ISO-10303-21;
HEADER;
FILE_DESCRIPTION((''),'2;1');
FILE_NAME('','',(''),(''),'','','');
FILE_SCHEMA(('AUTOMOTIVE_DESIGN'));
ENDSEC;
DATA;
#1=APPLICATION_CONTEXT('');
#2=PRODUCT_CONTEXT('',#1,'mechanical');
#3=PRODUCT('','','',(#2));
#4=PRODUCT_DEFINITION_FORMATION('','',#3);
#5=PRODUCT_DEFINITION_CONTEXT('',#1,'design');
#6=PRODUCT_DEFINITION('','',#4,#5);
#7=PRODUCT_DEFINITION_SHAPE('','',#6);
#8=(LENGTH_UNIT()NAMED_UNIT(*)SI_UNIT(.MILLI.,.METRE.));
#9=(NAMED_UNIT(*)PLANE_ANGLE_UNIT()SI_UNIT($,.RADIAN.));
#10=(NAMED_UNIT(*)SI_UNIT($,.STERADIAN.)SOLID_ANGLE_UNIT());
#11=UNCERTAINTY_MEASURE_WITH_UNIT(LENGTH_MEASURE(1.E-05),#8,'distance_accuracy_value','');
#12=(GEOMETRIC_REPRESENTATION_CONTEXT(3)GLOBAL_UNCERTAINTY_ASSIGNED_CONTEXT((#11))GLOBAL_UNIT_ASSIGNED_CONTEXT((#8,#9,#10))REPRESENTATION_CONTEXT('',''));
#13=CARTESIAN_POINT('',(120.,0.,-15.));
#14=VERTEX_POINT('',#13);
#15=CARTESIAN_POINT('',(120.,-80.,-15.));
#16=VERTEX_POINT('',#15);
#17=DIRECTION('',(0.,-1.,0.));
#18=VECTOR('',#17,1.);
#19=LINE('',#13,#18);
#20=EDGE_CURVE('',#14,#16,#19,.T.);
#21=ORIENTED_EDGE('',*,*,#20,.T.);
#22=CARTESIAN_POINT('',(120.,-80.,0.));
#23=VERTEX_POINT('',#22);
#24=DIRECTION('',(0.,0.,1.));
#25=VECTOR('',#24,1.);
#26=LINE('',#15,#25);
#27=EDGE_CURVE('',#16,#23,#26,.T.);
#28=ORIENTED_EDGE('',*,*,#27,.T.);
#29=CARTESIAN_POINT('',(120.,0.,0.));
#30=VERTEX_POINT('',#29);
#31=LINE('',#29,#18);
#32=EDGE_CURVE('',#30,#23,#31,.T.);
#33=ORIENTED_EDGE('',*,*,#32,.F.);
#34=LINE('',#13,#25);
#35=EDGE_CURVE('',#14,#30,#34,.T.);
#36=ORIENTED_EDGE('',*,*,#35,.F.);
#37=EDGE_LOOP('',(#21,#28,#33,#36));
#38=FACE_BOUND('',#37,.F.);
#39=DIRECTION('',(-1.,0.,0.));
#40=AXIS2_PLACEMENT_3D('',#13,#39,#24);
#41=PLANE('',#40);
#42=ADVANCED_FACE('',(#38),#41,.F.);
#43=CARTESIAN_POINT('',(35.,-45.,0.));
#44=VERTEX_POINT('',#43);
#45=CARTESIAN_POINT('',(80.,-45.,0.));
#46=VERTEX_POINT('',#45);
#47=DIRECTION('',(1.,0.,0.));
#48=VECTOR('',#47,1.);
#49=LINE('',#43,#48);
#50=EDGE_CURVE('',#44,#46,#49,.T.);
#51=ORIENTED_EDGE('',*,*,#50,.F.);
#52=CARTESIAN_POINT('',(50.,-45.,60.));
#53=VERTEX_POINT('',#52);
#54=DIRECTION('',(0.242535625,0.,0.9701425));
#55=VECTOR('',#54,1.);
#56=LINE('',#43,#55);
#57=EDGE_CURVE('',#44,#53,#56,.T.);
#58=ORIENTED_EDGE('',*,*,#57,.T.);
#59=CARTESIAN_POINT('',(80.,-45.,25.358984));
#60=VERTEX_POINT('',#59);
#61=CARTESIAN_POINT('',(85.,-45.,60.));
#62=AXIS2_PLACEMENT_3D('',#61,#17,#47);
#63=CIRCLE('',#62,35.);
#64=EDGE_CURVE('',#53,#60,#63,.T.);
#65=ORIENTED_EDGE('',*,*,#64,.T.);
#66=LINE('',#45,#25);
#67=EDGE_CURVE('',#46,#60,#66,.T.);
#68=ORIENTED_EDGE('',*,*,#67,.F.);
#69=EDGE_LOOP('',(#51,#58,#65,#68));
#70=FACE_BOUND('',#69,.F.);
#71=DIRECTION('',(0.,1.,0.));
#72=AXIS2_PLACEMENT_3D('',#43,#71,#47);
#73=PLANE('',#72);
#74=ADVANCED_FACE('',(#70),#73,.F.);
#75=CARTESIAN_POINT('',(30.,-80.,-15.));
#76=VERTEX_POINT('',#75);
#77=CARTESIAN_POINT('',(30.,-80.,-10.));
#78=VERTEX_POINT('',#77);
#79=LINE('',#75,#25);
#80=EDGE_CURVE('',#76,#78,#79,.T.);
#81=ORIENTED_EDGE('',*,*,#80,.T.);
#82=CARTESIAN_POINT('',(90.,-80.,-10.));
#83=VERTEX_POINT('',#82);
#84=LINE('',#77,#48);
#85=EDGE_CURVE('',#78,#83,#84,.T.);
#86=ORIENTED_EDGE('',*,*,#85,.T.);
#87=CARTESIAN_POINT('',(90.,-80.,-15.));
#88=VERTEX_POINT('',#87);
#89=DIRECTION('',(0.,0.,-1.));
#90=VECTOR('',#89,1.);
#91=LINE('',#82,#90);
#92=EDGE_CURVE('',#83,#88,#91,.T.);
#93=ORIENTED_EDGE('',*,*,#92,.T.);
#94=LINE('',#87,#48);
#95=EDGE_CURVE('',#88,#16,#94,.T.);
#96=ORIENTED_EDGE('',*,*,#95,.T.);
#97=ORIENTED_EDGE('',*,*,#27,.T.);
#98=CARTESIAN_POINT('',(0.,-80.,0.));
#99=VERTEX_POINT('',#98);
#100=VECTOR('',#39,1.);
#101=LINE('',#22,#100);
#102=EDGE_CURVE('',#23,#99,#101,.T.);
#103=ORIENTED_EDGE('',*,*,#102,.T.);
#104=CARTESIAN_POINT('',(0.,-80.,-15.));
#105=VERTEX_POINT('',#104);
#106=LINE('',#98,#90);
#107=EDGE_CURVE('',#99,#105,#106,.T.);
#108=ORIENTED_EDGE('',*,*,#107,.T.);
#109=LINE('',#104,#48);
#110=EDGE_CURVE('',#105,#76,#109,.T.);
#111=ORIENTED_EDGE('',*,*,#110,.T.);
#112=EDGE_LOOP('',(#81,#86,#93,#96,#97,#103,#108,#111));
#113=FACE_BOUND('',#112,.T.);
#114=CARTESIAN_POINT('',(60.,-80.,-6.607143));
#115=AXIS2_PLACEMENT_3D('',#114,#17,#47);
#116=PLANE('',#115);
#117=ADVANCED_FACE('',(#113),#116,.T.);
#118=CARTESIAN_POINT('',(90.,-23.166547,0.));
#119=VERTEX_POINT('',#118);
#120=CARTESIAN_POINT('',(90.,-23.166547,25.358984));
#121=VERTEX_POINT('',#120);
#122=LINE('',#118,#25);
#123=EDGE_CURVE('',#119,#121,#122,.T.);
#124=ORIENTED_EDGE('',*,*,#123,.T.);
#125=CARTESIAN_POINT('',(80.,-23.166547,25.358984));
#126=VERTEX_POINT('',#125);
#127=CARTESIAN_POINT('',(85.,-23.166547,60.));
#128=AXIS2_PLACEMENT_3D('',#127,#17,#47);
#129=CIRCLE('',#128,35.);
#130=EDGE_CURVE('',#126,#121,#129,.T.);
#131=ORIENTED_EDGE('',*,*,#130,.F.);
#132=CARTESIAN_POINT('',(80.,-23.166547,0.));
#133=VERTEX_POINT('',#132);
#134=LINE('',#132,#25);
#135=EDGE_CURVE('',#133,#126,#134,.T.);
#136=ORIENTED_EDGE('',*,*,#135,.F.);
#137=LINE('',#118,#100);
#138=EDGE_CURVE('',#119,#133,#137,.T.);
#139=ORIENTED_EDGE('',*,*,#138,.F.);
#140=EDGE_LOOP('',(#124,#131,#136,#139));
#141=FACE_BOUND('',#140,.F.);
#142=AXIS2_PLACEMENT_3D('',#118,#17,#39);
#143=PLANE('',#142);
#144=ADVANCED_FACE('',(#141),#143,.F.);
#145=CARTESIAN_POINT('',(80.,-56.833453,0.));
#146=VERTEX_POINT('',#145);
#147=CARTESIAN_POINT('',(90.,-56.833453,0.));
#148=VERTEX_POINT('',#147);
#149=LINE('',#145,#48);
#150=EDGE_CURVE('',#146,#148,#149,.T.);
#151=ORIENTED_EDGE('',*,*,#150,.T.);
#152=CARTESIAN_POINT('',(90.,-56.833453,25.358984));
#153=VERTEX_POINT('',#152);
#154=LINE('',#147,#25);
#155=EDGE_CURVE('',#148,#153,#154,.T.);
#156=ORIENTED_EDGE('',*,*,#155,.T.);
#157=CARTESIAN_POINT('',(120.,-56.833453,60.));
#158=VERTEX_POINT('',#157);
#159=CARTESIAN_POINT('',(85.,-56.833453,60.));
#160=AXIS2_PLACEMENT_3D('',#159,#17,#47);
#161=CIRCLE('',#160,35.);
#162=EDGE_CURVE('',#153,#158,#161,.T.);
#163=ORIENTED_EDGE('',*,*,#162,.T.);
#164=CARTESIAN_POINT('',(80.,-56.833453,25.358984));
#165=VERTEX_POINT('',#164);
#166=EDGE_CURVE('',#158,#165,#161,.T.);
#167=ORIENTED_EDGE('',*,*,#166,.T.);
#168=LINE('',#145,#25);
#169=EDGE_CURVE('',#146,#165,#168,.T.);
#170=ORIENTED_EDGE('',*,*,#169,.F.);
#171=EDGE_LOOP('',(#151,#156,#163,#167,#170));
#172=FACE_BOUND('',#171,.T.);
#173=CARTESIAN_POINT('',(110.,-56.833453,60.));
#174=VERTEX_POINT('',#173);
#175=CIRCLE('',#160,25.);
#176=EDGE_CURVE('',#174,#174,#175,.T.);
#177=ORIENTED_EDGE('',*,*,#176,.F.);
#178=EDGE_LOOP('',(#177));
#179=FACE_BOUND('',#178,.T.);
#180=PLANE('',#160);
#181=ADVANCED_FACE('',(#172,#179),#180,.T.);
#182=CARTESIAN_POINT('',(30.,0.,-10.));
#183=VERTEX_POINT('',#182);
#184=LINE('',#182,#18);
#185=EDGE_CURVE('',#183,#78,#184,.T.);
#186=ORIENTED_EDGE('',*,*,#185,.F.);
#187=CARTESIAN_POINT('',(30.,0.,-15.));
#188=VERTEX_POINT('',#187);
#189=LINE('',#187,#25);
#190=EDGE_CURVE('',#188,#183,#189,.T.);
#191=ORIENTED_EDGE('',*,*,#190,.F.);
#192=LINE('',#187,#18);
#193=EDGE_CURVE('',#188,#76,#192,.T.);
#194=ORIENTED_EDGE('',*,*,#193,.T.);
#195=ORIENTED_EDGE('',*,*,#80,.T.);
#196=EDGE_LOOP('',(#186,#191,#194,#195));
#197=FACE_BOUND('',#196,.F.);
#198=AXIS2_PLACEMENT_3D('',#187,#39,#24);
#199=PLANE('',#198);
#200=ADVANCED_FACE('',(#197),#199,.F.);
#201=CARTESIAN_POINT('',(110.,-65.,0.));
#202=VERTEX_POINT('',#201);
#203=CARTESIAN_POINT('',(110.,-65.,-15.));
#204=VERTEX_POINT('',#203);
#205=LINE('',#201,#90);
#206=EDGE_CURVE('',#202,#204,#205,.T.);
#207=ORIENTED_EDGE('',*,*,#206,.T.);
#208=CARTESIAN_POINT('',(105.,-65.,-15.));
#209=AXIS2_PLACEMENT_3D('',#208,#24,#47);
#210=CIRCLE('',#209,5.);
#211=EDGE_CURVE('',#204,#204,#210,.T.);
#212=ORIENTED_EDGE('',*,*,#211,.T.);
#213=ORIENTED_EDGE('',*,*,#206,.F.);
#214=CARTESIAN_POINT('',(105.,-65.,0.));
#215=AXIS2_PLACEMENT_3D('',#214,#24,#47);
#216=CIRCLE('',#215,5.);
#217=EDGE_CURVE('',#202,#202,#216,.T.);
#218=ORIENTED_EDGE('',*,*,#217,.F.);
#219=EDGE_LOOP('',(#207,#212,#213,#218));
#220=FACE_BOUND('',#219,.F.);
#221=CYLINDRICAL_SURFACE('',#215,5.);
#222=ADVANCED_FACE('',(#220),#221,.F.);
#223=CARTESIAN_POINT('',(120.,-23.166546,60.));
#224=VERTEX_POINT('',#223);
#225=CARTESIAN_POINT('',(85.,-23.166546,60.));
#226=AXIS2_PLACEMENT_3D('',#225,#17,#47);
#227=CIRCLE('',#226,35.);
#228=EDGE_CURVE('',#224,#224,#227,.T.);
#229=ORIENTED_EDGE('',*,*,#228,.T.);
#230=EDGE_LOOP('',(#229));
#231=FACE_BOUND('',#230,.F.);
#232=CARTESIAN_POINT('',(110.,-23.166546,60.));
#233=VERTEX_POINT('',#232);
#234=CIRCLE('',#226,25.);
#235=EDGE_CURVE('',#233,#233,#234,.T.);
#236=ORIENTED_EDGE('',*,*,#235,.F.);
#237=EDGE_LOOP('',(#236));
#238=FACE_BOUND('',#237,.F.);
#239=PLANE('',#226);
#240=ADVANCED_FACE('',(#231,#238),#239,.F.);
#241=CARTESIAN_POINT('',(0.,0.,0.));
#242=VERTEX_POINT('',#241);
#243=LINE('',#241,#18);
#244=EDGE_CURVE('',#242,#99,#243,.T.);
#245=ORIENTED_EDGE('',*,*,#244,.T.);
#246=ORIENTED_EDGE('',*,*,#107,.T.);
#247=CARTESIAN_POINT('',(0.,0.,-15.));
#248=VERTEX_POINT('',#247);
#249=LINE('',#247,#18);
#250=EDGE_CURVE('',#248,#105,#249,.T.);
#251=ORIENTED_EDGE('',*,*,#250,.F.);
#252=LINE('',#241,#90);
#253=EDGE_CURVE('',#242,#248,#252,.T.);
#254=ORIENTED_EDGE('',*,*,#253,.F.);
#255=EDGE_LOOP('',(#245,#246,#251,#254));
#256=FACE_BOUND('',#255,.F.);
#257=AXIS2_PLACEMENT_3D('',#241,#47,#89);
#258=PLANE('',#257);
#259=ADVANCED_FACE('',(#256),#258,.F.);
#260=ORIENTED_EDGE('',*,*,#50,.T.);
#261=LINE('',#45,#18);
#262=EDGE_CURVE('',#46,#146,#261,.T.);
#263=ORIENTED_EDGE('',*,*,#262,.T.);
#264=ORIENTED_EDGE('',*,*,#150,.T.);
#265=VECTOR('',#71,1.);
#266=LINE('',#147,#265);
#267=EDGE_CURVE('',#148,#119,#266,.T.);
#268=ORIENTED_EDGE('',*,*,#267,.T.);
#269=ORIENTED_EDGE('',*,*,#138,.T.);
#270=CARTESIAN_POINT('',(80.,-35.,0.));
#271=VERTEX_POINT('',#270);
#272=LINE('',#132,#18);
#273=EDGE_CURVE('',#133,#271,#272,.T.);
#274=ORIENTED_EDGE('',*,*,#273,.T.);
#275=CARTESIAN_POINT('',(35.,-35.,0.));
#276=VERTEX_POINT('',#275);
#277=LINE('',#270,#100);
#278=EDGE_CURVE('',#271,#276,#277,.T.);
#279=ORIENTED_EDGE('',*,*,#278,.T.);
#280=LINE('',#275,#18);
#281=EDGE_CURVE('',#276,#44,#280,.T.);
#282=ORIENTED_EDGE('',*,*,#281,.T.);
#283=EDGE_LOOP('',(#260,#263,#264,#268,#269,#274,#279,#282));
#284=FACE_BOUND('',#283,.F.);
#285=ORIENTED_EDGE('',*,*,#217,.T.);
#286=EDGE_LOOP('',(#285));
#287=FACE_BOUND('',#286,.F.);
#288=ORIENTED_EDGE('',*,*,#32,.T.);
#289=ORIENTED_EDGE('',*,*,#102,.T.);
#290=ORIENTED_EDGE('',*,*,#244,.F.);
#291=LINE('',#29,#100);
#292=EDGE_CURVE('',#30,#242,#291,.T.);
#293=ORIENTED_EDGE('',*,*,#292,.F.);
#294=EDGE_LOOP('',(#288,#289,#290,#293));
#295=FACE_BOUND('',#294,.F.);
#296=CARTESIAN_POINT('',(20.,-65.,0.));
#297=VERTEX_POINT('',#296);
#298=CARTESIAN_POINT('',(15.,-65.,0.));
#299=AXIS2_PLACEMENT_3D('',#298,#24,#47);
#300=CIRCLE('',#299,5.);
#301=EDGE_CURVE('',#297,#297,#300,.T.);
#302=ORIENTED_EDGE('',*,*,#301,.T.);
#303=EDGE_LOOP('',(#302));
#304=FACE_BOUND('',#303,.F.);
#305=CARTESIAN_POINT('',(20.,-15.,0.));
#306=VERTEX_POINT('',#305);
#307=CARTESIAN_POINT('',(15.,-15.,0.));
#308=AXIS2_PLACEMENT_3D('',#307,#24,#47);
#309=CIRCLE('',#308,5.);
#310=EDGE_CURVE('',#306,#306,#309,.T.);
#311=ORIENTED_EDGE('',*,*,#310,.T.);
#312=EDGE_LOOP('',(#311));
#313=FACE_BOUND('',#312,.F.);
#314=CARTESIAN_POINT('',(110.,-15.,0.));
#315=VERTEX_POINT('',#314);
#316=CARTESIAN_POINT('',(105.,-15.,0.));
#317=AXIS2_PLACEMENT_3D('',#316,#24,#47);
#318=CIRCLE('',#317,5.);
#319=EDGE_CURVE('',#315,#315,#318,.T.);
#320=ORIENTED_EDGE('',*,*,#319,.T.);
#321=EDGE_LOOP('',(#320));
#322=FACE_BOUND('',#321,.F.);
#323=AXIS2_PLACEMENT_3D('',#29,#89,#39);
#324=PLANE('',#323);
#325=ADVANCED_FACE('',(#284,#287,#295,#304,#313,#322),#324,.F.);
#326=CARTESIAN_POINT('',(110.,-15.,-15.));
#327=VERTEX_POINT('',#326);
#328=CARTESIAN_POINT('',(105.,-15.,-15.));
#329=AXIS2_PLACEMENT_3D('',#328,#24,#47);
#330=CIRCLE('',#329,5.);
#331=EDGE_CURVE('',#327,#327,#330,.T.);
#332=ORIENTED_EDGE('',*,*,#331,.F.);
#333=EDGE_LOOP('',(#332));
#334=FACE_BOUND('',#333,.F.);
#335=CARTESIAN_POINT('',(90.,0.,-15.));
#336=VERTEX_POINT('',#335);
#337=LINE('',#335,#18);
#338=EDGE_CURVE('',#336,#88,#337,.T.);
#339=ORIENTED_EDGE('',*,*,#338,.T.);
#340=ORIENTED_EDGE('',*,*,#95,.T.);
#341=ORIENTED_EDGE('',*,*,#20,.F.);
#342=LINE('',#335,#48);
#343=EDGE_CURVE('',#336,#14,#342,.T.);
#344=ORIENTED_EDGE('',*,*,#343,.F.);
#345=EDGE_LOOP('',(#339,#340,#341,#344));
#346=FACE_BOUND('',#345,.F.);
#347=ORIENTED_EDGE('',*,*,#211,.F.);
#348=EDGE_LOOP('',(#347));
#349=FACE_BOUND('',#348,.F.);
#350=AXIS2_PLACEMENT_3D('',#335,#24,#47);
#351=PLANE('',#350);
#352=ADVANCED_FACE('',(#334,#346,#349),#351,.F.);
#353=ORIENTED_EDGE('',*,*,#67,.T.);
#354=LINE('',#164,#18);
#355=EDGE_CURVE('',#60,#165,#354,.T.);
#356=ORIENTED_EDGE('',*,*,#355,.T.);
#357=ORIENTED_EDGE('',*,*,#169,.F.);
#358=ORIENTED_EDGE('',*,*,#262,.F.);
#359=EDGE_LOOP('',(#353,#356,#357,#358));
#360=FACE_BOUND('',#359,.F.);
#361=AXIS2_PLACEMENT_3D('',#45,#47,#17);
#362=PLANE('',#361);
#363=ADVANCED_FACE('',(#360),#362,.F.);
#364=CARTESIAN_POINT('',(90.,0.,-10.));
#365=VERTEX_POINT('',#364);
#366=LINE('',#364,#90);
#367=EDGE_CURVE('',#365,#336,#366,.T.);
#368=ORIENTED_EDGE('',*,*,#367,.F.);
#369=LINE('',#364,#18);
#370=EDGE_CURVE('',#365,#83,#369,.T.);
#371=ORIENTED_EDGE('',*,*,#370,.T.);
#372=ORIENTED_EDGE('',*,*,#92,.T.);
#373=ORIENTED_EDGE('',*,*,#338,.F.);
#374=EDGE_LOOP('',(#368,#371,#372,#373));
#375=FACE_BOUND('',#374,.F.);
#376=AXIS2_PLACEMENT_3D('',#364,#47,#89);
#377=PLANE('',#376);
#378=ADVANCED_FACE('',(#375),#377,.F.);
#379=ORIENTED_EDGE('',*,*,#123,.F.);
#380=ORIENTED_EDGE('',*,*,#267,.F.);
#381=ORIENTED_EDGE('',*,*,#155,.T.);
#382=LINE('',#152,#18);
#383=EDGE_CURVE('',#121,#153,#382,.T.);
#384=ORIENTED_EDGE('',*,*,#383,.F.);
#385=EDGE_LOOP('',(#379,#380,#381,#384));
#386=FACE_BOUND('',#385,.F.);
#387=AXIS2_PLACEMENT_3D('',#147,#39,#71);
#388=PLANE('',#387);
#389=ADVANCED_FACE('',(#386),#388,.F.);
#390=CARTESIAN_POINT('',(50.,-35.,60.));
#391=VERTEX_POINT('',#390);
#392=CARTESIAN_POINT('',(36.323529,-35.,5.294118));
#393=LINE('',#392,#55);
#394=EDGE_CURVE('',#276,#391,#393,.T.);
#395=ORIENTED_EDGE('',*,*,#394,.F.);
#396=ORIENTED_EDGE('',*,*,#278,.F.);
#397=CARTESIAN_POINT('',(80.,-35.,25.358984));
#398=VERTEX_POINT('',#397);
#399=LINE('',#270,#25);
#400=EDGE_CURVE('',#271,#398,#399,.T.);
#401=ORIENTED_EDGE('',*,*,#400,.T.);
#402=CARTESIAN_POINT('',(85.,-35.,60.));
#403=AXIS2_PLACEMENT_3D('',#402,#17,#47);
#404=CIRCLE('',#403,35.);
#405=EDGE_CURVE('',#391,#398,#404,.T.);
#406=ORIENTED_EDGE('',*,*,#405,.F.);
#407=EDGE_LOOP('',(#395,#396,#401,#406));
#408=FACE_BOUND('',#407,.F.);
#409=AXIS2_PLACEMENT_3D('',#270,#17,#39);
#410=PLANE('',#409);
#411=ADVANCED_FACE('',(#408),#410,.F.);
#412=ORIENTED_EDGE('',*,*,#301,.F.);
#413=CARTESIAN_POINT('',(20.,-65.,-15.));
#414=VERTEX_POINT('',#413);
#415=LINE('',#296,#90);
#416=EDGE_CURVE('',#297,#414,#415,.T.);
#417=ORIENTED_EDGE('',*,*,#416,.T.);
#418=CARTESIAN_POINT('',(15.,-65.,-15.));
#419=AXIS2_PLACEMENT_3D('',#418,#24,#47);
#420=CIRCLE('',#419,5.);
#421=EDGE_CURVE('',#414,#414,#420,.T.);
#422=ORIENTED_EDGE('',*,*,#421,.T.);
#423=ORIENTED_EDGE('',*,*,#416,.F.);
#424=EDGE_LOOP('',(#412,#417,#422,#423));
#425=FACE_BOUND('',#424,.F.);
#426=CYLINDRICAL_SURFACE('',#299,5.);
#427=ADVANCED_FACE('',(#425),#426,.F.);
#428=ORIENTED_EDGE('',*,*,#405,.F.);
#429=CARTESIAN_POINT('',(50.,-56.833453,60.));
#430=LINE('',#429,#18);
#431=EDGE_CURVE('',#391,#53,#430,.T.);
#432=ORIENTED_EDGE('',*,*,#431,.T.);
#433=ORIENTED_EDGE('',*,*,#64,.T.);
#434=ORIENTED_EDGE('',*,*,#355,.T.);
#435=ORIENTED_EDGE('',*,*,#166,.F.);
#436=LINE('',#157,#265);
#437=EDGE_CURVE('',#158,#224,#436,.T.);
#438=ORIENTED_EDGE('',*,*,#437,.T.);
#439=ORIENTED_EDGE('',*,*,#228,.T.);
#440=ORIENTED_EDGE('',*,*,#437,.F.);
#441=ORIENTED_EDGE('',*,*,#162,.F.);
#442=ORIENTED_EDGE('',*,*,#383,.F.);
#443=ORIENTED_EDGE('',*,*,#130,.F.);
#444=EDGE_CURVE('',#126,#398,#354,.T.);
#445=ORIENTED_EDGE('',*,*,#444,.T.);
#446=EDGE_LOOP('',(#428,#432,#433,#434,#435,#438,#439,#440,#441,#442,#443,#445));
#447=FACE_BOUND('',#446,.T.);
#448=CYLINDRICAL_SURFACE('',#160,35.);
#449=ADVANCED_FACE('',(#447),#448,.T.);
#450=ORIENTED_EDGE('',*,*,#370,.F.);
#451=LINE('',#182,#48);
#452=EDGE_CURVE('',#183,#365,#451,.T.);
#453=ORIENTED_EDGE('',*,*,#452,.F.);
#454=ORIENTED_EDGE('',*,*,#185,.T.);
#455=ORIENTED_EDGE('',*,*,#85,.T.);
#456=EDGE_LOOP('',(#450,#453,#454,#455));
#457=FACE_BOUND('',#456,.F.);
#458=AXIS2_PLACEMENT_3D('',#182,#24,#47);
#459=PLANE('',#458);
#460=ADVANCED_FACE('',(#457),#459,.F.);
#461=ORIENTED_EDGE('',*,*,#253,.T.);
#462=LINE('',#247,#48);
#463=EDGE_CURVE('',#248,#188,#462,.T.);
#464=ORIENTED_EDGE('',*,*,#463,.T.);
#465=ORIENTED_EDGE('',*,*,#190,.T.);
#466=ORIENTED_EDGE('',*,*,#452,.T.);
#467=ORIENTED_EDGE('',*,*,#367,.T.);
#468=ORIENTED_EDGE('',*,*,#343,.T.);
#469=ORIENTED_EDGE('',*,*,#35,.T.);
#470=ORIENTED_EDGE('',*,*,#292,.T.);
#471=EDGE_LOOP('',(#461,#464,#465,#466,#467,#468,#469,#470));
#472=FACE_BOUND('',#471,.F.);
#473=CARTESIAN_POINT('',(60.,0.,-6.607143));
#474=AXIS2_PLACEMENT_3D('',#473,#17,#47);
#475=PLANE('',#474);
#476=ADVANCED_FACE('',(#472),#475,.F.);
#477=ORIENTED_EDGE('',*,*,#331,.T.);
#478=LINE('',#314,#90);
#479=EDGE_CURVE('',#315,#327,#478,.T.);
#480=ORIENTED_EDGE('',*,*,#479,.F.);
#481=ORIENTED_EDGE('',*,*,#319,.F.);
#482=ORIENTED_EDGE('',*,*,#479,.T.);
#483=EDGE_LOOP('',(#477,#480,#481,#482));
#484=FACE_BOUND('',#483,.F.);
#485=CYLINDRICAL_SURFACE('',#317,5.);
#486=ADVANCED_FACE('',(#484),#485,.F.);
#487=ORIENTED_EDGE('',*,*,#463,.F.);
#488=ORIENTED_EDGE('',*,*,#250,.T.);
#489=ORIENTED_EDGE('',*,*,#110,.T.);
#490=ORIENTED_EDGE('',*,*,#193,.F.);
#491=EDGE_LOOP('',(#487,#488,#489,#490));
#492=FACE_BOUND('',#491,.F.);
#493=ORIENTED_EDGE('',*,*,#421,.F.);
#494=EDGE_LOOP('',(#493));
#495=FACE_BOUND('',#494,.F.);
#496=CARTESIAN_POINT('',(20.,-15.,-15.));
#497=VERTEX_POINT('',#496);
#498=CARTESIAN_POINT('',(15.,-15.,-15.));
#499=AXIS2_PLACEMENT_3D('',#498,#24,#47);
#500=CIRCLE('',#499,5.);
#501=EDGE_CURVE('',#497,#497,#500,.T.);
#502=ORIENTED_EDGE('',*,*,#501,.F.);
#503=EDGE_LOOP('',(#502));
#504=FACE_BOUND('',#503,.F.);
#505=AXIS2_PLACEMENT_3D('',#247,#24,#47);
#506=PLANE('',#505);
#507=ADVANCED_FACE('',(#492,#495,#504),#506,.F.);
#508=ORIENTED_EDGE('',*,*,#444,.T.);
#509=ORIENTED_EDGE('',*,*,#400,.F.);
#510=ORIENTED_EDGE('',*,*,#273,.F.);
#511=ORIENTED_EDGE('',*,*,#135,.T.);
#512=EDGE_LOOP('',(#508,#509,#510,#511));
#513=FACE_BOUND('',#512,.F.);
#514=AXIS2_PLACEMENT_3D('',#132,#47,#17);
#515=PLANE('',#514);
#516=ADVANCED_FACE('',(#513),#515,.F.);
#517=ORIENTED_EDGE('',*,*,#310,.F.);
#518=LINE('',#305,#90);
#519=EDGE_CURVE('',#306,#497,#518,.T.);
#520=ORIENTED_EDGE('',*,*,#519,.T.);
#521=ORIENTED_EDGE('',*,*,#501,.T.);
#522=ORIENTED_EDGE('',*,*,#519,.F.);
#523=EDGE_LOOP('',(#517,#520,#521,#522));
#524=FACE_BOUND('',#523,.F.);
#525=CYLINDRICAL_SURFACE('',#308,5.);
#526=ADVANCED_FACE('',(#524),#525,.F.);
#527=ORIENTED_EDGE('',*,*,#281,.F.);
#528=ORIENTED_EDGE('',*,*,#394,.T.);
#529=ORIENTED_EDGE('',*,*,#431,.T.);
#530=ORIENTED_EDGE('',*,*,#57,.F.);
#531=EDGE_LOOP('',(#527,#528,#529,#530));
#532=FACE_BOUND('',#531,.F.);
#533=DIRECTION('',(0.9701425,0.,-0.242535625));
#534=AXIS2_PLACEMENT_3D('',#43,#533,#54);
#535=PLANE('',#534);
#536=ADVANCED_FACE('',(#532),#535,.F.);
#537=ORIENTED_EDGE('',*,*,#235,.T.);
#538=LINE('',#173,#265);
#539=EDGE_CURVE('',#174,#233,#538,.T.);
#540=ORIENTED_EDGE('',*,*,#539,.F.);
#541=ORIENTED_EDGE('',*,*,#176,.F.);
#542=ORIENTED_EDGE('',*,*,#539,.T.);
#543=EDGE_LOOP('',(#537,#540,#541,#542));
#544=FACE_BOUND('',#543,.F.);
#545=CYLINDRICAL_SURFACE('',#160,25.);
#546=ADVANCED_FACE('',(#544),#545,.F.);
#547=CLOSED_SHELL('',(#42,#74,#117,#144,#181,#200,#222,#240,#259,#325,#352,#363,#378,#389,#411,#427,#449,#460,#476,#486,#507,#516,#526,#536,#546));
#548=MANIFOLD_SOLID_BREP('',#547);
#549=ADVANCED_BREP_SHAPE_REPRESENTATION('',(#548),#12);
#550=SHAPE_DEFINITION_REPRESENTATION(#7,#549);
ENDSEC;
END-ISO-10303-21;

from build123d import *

# Parameters (mm, degrees)
F1_DEPTH  = 80
F2_R      = 5
F3_DEPTH  = 25
F5_DEPTH  = 60
F6_R      = 35
F7_DEPTH  = 33.666907
F8_R      = 25
F9_DEPTH  = 52.6
F11_DEPTH = 25


with BuildPart() as f1:
    # F0 (on Front) → F1 (new body)
    with BuildSketch(Plane.XZ):
        Polygon((120, 0), (0, 0), (0, -15), (30, -15), (30, -10), (90, -10), (90, -15), (120, -15), align=None)
    extrude(amount=F1_DEPTH)

    # F2 (on face) → F3 (cut)
    with BuildSketch(Plane.XY):
        with Locations((15, -15)):
            Circle(F2_R)
        with Locations((15, -65)):
            Circle(F2_R)
        with Locations((105, -65)):
            Circle(F2_R)
        with Locations((105, -15)):
            Circle(F2_R)
    extrude(amount=-F3_DEPTH, mode=Mode.SUBTRACT)

    # F4 (on face) → F5 (join)
    with BuildSketch(Plane.XY):
        Polygon((35, -45), (80, -45), (80, -56.833453), (90, -56.833453), (90, -45), (90, -35), (90, -23.166547), (80, -23.166547), (80, -35), (35, -35), align=None)
    extrude(amount=F5_DEPTH)

    # F6 (on face) → F7 (join, through all)
    with BuildSketch(Plane.XZ.offset(56.833453)):
        with Locations((85, 60)):
            Circle(F6_R)
    extrude(amount=-F7_DEPTH)

    # F8 (on face) → F9 (cut)
    with BuildSketch(Plane.XZ.offset(56.833453)):
        with Locations((85, 60)):
            Circle(F8_R)
    extrude(amount=-F9_DEPTH, mode=Mode.SUBTRACT)

    # F10 (on face) → F11 (cut)
    with BuildSketch(Plane.XZ.offset(45)):
        Polygon((35, 60), (35, 0), (50, 60), align=None)
    extrude(amount=-F11_DEPTH, mode=Mode.SUBTRACT)


solid = f1.part
